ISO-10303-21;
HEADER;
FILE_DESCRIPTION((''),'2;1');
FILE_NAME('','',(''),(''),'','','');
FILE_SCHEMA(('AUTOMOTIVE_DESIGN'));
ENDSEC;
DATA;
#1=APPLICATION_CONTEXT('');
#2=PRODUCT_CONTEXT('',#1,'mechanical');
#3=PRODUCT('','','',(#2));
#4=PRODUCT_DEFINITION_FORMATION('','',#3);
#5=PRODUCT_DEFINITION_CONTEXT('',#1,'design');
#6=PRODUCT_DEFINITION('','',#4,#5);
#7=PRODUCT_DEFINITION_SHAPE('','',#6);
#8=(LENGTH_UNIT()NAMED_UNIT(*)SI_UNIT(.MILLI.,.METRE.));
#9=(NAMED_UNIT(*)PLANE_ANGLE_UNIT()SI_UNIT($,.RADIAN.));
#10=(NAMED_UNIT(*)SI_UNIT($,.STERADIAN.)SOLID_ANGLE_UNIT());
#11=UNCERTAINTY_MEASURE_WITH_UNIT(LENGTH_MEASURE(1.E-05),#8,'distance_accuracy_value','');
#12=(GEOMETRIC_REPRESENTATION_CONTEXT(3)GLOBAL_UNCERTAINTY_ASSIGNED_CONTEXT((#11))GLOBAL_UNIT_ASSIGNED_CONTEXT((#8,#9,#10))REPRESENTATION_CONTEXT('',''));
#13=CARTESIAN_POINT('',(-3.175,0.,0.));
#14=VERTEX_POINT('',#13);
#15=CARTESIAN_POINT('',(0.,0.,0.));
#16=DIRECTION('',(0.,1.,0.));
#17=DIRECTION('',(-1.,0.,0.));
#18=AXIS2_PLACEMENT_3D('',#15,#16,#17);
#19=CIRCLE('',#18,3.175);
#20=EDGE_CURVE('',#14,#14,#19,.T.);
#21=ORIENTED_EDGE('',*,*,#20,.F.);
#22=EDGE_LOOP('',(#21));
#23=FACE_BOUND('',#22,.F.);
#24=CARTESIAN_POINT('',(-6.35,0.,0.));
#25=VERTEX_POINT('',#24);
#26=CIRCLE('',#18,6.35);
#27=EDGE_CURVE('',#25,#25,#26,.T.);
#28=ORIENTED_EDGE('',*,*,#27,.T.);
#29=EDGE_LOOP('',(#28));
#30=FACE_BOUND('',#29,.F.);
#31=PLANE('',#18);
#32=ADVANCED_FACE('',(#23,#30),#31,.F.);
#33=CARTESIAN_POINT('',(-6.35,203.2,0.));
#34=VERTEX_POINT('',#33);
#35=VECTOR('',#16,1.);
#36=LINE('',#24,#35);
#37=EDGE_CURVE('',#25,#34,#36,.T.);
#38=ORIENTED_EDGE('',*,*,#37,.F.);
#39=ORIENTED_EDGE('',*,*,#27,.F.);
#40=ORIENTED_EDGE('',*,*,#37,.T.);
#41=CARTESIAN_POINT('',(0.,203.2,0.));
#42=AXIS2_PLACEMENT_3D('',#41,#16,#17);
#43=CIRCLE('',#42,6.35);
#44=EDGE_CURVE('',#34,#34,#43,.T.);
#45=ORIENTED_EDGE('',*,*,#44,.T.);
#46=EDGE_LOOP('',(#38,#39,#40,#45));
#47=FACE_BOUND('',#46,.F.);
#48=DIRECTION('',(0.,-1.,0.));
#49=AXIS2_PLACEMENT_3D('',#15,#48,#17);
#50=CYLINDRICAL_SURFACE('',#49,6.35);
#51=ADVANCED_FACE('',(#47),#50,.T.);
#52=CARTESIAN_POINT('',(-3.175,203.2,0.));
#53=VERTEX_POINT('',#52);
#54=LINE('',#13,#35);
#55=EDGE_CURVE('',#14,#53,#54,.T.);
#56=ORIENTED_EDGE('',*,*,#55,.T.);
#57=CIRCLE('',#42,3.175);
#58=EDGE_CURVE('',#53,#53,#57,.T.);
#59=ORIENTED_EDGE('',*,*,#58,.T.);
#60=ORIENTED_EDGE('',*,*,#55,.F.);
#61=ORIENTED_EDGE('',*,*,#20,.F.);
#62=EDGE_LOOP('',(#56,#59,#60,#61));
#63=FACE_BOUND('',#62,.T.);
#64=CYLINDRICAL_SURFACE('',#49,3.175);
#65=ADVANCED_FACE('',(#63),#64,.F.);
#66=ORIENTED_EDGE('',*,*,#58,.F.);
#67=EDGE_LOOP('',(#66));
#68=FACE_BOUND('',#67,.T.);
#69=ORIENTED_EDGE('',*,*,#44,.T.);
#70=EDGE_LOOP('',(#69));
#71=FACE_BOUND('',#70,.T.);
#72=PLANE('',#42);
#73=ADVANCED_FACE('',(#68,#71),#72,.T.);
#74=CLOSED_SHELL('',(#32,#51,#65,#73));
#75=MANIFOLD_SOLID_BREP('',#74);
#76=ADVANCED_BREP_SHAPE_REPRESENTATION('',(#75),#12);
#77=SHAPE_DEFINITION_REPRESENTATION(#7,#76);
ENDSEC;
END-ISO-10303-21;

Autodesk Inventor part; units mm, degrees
ref_plane "YZ Plane" through (0, 0, 0) normal (1, 0, 0) x (0, 1, 0)
ref_plane "XZ Plane" through (0, 0, 0) normal (0, 1, 0) x (-1, 0, 0)
ref_plane "XY Plane" through (0, 0, 0) normal (0, 0, 1) x (1, 0, 0)
sketch "Sketch2" plane through (0, 0, 0) normal (0, 1, 0) x (-1, 0, 0)
  circle A0 centre (0, 0) radius 3.175
  circle A1 centre (0, 0) radius 6.35
  dimension "d0" = 6.35
  dimension "d1" = 12.7
extrude "Extrusion1" add sketch "Sketch2" along normal blind 203.2
properties part number "HopperGuide" material "Aluminum-6061"
